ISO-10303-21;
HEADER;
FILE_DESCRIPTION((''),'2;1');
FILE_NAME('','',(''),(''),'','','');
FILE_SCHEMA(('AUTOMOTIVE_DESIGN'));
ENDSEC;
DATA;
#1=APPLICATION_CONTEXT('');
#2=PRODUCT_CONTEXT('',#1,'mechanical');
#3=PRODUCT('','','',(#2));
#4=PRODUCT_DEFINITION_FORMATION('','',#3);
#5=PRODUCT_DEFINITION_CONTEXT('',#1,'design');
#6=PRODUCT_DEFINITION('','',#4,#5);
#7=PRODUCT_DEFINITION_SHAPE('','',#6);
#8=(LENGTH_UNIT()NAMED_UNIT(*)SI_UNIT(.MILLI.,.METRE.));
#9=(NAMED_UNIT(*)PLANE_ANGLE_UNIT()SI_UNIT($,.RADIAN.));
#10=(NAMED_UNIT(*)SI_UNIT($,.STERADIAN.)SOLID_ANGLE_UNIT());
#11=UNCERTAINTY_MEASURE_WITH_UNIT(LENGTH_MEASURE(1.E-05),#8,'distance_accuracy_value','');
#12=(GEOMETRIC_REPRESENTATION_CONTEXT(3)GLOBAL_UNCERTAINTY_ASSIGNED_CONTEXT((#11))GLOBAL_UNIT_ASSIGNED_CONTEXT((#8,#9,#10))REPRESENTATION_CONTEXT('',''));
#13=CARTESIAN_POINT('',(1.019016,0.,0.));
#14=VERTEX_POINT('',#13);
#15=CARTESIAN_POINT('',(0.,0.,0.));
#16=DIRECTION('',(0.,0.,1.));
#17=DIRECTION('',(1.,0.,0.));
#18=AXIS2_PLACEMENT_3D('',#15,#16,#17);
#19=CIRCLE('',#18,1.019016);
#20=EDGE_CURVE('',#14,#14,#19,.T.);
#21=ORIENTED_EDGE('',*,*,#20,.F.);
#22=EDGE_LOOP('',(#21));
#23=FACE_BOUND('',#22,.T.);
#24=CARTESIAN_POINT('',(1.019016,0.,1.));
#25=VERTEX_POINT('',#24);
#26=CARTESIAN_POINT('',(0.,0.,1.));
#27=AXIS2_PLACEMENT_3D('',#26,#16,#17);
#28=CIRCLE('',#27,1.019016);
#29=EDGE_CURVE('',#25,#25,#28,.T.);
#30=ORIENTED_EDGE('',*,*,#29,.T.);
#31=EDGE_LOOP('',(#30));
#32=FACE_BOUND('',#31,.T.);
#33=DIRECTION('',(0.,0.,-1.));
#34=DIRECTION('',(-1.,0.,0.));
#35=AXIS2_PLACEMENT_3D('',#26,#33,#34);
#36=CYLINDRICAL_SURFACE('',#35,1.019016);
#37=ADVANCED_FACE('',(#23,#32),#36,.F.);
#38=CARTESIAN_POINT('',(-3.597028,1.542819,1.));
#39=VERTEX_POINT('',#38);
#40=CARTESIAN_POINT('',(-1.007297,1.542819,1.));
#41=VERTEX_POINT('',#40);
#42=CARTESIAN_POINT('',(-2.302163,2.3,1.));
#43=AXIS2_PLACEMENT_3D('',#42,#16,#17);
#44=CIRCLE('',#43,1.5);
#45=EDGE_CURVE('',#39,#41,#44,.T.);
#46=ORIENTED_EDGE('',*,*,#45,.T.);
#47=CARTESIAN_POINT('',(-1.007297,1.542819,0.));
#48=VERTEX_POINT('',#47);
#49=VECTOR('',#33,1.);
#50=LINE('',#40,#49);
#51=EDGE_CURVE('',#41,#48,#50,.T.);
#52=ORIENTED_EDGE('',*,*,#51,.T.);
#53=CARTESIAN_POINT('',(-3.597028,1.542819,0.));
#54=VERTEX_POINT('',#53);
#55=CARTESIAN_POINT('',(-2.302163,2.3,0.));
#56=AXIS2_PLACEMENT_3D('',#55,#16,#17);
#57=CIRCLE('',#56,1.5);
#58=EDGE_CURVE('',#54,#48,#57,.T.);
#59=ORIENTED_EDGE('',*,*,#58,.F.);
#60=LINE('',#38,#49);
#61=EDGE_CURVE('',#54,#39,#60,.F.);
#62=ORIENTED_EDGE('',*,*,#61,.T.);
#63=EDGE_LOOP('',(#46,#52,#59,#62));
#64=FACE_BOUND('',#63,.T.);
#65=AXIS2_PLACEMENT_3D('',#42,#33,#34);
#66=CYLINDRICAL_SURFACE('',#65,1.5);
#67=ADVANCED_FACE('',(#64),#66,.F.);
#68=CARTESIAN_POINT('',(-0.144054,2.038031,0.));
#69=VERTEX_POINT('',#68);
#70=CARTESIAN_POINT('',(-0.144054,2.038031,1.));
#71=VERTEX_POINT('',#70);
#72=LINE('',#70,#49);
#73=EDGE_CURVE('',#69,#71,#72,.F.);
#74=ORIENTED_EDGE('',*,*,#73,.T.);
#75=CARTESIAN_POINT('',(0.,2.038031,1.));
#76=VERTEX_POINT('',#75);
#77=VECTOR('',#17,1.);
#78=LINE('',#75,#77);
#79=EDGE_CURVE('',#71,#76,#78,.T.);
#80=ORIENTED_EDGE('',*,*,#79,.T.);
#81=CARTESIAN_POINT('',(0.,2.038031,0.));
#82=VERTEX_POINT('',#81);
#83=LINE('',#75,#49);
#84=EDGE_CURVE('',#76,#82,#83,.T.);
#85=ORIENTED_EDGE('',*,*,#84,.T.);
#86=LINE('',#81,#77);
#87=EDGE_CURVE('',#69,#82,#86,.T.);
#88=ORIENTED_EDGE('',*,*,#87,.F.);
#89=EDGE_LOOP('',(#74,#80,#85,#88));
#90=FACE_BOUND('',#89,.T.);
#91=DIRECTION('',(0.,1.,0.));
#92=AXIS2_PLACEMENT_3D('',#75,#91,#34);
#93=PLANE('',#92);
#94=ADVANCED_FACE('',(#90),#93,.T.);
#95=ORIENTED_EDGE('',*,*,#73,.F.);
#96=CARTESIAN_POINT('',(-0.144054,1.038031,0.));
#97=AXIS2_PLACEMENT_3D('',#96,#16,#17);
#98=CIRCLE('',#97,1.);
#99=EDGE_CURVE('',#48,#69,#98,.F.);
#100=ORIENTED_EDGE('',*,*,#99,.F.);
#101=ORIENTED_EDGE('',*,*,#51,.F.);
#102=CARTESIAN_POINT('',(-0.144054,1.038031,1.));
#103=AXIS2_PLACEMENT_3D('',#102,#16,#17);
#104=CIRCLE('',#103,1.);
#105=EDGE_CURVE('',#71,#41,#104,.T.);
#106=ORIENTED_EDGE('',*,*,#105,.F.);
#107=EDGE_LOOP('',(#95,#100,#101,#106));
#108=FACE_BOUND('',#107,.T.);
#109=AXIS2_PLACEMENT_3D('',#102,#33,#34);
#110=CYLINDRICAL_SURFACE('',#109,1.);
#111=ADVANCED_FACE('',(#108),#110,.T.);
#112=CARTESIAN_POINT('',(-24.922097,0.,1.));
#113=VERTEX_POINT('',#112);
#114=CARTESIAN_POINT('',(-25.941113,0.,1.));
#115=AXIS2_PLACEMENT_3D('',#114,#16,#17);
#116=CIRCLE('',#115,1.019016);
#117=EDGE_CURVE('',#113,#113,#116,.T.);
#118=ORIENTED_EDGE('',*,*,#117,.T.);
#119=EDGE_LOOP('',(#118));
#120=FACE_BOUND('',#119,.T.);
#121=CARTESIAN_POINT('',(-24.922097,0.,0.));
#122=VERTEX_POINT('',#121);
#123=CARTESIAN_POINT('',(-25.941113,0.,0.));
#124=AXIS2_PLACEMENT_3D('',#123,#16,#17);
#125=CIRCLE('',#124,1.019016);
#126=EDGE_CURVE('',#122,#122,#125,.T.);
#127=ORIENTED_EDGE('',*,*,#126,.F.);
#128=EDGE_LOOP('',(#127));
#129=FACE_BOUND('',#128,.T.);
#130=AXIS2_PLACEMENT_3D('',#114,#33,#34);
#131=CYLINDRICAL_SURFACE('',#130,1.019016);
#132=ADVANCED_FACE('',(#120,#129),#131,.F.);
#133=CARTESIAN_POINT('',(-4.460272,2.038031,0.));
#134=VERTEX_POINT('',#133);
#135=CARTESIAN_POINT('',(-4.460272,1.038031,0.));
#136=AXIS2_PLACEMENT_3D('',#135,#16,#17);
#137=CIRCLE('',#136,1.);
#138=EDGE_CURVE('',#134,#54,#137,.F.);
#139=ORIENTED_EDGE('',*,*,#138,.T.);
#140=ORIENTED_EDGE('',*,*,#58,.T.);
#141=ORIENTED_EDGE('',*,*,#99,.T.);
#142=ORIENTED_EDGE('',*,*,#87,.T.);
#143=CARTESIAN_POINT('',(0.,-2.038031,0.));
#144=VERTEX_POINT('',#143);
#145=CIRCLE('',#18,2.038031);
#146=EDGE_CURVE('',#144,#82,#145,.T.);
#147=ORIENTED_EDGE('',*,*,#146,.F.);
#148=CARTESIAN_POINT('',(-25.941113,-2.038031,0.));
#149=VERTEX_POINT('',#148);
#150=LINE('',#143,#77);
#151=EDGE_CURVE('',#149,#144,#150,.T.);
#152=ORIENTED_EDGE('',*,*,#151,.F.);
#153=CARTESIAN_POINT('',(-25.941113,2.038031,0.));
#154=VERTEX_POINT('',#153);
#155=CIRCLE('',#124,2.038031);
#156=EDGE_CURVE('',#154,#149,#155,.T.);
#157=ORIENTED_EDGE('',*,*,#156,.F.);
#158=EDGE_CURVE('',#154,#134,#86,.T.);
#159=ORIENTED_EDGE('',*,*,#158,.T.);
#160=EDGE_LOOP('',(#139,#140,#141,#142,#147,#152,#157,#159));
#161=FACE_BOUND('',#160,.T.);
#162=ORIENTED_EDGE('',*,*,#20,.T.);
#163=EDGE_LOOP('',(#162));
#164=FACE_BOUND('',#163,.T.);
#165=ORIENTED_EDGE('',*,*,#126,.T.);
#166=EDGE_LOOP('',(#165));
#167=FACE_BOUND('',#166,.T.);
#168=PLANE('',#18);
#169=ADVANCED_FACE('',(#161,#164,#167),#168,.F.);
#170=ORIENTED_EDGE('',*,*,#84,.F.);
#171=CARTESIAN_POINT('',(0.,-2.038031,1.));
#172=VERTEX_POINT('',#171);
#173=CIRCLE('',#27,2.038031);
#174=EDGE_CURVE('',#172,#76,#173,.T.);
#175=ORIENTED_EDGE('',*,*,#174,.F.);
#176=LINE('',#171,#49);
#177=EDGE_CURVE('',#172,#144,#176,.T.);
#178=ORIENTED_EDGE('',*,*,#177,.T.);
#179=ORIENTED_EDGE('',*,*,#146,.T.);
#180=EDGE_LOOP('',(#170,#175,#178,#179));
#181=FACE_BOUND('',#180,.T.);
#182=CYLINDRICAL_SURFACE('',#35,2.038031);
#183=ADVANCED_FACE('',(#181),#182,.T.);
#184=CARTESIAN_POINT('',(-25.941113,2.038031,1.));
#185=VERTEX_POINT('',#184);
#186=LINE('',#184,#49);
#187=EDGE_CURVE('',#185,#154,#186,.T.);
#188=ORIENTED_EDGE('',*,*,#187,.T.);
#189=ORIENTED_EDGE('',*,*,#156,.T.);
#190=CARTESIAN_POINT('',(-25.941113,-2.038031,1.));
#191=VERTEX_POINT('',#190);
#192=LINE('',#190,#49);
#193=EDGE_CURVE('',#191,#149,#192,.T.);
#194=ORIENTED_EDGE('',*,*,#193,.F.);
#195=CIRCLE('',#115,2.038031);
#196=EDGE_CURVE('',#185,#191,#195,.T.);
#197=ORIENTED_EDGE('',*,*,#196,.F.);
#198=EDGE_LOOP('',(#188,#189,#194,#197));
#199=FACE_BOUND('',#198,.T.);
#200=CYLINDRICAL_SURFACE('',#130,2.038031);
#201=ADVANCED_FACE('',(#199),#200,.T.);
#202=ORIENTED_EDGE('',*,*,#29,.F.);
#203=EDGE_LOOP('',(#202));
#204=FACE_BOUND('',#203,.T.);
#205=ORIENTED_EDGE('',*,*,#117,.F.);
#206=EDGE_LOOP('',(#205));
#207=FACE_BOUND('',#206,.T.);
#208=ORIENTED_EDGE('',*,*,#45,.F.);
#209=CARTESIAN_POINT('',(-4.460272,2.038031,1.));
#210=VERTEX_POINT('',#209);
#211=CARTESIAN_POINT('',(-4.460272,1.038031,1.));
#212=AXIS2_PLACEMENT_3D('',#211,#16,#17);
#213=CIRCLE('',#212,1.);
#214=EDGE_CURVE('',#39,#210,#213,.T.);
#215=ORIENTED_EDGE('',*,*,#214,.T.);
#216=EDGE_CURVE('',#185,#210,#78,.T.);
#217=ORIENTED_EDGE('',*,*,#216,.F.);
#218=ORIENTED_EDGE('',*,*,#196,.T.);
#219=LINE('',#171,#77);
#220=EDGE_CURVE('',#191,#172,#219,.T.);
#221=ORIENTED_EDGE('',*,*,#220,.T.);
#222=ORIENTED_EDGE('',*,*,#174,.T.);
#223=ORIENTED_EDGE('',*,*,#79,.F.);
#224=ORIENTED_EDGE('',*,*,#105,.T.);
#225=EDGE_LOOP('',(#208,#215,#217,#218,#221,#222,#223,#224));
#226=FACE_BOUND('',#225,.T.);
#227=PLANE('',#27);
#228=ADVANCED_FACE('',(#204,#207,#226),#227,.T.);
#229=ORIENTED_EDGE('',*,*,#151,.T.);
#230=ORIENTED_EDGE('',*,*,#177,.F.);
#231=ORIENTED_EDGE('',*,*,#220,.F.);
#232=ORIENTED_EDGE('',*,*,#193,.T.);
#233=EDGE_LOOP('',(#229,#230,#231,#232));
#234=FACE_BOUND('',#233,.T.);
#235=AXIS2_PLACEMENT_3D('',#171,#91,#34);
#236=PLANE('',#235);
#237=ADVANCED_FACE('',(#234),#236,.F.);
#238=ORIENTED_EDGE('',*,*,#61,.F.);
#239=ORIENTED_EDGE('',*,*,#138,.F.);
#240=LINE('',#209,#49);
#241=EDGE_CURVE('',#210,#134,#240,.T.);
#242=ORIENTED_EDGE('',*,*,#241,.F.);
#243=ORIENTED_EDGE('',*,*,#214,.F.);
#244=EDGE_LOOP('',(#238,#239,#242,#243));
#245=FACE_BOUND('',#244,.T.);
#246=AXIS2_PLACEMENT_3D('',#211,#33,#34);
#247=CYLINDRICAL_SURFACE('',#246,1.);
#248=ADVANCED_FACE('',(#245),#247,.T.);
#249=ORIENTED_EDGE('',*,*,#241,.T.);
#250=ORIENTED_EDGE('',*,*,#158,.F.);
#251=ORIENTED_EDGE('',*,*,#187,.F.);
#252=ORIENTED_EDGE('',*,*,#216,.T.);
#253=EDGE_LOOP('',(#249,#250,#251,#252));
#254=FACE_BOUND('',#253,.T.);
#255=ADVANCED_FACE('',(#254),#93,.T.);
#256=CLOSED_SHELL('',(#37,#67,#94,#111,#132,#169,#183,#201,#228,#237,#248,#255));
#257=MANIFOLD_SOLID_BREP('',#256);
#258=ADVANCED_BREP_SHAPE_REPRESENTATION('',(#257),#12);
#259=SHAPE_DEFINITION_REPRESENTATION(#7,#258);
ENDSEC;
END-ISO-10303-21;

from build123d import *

# Parameters (mm, degrees)
SKETCH1_R          = 1.01901554
EXTRUDE1_DEPTH     = 1
SKETCH2_R          = 1.5
CUT_EXTRUDE2_DEPTH = 29.071089649
FILLET1_R          = 1


with BuildPart() as part:
    # Sketch1 → Extrude1 (new body)
    with BuildSketch(Plane.XY):
        with BuildLine():
            Line((0, 2.038031079), (-25.941113, 2.038031079))
            ThreePointArc((-25.941113, 2.038031079), (-27.979144079, 0), (-25.941113, -2.038031079))
            Line((-25.941113, -2.038031079), (0, -2.038031079))
            ThreePointArc((0, -2.038031079), (2.038031079, 0), (0, 2.038031079))
        make_face()
        with Locations((-25.941113, 0)):
            Circle(SKETCH1_R, mode=Mode.SUBTRACT)
        Circle(SKETCH1_R, mode=Mode.SUBTRACT)
    extrude(amount=EXTRUDE1_DEPTH)

    # Sketch2 → Cut-Extrude2 (cut, through all)
    with BuildSketch(Plane.XY):
        with Locations((-2.302162805, 2.3)):
            Circle(SKETCH2_R)
    extrude(amount=CUT_EXTRUDE2_DEPTH, mode=Mode.SUBTRACT)

    # Fillet1
    fillet1_edges = [part.edges().sort_by_distance(p)[0] for p in [
        (-0.825215858, 2.038031079, 0.5),
        (-3.779109752, 2.038031079, 0.5),
    ]]
    fillet(fillet1_edges, radius=FILLET1_R)


solid = part.part
